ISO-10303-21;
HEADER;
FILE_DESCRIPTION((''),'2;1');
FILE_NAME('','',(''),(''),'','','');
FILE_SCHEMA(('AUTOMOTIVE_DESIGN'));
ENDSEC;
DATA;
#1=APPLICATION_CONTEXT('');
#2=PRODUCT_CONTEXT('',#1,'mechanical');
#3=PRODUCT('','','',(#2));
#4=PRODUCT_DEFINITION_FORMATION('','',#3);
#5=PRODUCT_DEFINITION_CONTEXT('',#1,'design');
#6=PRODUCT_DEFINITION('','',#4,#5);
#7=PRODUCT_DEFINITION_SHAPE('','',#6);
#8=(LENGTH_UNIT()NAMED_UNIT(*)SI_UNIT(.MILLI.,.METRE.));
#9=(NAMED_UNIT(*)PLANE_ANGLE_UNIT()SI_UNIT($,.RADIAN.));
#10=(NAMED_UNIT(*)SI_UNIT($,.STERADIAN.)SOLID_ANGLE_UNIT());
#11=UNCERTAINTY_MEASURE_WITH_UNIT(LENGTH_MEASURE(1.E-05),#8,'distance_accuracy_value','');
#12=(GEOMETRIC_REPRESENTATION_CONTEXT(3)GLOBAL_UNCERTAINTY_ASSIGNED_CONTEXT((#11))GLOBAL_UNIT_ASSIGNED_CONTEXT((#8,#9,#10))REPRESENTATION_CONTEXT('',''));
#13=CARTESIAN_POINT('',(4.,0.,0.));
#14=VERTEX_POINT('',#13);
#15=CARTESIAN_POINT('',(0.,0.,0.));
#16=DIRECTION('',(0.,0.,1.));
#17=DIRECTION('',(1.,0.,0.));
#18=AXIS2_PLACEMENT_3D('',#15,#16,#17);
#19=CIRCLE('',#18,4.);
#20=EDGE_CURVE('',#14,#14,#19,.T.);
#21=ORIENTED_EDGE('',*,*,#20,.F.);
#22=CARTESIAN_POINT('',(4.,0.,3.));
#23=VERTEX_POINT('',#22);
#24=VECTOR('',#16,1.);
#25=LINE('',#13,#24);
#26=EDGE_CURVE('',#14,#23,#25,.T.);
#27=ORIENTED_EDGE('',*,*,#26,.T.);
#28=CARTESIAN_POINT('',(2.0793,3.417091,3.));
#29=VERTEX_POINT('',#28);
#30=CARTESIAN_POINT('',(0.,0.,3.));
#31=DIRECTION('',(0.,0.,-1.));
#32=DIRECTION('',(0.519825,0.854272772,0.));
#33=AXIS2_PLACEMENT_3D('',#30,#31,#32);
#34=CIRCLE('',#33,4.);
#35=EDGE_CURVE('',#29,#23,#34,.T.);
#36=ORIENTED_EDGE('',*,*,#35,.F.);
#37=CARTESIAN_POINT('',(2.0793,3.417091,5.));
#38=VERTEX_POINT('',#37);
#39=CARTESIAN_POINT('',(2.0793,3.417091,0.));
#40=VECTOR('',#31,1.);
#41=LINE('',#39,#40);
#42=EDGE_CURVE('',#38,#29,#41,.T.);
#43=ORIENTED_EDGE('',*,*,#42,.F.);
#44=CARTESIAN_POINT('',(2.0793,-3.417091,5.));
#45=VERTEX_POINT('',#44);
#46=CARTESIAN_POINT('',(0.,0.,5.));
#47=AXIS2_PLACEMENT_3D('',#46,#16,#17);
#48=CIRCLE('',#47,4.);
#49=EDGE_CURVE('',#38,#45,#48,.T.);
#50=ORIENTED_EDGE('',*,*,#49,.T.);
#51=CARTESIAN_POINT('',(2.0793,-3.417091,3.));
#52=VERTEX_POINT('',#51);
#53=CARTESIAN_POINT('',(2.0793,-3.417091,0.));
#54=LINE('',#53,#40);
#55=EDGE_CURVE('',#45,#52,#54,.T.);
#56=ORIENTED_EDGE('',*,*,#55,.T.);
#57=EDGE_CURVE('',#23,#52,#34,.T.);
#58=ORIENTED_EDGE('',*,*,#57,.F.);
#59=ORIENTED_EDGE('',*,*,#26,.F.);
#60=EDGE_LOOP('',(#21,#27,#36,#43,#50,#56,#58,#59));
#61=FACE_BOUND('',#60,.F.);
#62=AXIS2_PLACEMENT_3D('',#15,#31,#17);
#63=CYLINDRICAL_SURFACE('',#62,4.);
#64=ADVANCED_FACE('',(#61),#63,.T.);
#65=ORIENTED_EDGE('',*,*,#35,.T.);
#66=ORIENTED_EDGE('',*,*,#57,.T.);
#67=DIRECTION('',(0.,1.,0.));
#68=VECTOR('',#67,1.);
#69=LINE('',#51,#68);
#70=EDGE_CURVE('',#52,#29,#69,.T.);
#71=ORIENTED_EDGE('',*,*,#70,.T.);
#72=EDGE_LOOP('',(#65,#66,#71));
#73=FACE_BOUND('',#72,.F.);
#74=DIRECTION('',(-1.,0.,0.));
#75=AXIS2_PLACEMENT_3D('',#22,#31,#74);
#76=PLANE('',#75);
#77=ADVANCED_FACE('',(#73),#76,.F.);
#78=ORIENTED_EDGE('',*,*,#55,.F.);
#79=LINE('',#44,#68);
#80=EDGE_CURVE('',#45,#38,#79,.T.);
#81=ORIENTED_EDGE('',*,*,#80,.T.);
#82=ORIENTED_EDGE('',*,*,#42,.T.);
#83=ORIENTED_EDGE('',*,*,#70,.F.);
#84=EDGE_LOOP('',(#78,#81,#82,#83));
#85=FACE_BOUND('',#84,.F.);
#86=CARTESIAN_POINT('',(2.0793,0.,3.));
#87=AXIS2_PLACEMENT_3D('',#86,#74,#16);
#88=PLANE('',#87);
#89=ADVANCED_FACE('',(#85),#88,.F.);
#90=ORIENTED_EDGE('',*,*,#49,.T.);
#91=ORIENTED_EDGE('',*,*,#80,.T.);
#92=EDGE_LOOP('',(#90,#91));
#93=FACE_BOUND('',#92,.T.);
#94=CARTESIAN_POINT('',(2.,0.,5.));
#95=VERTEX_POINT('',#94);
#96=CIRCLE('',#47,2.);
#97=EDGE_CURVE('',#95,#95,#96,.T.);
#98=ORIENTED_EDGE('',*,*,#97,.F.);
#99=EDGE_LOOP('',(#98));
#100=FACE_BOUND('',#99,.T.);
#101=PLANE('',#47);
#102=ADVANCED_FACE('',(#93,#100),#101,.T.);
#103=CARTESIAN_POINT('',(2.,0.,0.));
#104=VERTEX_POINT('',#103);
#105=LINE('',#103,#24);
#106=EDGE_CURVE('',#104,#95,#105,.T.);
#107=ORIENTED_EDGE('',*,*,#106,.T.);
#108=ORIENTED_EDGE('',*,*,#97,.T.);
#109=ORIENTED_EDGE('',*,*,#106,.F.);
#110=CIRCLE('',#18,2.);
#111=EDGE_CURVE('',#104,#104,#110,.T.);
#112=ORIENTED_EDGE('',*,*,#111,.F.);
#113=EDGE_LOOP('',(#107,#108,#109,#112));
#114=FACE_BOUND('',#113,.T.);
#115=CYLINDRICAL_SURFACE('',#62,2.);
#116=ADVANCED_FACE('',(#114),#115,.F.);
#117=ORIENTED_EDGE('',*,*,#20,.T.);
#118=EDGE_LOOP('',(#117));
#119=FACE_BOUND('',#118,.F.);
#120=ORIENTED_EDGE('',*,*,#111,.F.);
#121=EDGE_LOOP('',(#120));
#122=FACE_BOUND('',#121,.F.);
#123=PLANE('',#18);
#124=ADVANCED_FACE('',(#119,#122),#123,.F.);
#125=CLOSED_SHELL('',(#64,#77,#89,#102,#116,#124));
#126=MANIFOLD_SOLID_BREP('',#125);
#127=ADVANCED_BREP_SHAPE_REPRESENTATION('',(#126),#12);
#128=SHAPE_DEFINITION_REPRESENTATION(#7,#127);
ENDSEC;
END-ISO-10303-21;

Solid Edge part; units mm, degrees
sketch "Sketch1" plane through (0, 0, 0) normal (0, 0, 1) x (1, 0, 0)
  circle A0 centre (0, 0) radius 2
  circle A1 centre (0, 0) radius 4
extrude "Protrusion1" add sketch "Sketch1" along normal blind 5
sketch "Sketch2" plane through (0, 0, 0) normal (0, -1, 0) x (1, 0, 0)
  line L0 (4, 3) -> (2.0793, 3)
  line L1 (2.0793, 3) -> (2.0793, 5)
  line L2 (2.0793, 5) -> (4, 5)
  line L3 (4, 5) -> (4, 3)
  dimension "D1" = 2
  dimension "D2" = 3
extrude "Cutout1" cut sketch "Sketch2" along normal up to next and the other way up to next
